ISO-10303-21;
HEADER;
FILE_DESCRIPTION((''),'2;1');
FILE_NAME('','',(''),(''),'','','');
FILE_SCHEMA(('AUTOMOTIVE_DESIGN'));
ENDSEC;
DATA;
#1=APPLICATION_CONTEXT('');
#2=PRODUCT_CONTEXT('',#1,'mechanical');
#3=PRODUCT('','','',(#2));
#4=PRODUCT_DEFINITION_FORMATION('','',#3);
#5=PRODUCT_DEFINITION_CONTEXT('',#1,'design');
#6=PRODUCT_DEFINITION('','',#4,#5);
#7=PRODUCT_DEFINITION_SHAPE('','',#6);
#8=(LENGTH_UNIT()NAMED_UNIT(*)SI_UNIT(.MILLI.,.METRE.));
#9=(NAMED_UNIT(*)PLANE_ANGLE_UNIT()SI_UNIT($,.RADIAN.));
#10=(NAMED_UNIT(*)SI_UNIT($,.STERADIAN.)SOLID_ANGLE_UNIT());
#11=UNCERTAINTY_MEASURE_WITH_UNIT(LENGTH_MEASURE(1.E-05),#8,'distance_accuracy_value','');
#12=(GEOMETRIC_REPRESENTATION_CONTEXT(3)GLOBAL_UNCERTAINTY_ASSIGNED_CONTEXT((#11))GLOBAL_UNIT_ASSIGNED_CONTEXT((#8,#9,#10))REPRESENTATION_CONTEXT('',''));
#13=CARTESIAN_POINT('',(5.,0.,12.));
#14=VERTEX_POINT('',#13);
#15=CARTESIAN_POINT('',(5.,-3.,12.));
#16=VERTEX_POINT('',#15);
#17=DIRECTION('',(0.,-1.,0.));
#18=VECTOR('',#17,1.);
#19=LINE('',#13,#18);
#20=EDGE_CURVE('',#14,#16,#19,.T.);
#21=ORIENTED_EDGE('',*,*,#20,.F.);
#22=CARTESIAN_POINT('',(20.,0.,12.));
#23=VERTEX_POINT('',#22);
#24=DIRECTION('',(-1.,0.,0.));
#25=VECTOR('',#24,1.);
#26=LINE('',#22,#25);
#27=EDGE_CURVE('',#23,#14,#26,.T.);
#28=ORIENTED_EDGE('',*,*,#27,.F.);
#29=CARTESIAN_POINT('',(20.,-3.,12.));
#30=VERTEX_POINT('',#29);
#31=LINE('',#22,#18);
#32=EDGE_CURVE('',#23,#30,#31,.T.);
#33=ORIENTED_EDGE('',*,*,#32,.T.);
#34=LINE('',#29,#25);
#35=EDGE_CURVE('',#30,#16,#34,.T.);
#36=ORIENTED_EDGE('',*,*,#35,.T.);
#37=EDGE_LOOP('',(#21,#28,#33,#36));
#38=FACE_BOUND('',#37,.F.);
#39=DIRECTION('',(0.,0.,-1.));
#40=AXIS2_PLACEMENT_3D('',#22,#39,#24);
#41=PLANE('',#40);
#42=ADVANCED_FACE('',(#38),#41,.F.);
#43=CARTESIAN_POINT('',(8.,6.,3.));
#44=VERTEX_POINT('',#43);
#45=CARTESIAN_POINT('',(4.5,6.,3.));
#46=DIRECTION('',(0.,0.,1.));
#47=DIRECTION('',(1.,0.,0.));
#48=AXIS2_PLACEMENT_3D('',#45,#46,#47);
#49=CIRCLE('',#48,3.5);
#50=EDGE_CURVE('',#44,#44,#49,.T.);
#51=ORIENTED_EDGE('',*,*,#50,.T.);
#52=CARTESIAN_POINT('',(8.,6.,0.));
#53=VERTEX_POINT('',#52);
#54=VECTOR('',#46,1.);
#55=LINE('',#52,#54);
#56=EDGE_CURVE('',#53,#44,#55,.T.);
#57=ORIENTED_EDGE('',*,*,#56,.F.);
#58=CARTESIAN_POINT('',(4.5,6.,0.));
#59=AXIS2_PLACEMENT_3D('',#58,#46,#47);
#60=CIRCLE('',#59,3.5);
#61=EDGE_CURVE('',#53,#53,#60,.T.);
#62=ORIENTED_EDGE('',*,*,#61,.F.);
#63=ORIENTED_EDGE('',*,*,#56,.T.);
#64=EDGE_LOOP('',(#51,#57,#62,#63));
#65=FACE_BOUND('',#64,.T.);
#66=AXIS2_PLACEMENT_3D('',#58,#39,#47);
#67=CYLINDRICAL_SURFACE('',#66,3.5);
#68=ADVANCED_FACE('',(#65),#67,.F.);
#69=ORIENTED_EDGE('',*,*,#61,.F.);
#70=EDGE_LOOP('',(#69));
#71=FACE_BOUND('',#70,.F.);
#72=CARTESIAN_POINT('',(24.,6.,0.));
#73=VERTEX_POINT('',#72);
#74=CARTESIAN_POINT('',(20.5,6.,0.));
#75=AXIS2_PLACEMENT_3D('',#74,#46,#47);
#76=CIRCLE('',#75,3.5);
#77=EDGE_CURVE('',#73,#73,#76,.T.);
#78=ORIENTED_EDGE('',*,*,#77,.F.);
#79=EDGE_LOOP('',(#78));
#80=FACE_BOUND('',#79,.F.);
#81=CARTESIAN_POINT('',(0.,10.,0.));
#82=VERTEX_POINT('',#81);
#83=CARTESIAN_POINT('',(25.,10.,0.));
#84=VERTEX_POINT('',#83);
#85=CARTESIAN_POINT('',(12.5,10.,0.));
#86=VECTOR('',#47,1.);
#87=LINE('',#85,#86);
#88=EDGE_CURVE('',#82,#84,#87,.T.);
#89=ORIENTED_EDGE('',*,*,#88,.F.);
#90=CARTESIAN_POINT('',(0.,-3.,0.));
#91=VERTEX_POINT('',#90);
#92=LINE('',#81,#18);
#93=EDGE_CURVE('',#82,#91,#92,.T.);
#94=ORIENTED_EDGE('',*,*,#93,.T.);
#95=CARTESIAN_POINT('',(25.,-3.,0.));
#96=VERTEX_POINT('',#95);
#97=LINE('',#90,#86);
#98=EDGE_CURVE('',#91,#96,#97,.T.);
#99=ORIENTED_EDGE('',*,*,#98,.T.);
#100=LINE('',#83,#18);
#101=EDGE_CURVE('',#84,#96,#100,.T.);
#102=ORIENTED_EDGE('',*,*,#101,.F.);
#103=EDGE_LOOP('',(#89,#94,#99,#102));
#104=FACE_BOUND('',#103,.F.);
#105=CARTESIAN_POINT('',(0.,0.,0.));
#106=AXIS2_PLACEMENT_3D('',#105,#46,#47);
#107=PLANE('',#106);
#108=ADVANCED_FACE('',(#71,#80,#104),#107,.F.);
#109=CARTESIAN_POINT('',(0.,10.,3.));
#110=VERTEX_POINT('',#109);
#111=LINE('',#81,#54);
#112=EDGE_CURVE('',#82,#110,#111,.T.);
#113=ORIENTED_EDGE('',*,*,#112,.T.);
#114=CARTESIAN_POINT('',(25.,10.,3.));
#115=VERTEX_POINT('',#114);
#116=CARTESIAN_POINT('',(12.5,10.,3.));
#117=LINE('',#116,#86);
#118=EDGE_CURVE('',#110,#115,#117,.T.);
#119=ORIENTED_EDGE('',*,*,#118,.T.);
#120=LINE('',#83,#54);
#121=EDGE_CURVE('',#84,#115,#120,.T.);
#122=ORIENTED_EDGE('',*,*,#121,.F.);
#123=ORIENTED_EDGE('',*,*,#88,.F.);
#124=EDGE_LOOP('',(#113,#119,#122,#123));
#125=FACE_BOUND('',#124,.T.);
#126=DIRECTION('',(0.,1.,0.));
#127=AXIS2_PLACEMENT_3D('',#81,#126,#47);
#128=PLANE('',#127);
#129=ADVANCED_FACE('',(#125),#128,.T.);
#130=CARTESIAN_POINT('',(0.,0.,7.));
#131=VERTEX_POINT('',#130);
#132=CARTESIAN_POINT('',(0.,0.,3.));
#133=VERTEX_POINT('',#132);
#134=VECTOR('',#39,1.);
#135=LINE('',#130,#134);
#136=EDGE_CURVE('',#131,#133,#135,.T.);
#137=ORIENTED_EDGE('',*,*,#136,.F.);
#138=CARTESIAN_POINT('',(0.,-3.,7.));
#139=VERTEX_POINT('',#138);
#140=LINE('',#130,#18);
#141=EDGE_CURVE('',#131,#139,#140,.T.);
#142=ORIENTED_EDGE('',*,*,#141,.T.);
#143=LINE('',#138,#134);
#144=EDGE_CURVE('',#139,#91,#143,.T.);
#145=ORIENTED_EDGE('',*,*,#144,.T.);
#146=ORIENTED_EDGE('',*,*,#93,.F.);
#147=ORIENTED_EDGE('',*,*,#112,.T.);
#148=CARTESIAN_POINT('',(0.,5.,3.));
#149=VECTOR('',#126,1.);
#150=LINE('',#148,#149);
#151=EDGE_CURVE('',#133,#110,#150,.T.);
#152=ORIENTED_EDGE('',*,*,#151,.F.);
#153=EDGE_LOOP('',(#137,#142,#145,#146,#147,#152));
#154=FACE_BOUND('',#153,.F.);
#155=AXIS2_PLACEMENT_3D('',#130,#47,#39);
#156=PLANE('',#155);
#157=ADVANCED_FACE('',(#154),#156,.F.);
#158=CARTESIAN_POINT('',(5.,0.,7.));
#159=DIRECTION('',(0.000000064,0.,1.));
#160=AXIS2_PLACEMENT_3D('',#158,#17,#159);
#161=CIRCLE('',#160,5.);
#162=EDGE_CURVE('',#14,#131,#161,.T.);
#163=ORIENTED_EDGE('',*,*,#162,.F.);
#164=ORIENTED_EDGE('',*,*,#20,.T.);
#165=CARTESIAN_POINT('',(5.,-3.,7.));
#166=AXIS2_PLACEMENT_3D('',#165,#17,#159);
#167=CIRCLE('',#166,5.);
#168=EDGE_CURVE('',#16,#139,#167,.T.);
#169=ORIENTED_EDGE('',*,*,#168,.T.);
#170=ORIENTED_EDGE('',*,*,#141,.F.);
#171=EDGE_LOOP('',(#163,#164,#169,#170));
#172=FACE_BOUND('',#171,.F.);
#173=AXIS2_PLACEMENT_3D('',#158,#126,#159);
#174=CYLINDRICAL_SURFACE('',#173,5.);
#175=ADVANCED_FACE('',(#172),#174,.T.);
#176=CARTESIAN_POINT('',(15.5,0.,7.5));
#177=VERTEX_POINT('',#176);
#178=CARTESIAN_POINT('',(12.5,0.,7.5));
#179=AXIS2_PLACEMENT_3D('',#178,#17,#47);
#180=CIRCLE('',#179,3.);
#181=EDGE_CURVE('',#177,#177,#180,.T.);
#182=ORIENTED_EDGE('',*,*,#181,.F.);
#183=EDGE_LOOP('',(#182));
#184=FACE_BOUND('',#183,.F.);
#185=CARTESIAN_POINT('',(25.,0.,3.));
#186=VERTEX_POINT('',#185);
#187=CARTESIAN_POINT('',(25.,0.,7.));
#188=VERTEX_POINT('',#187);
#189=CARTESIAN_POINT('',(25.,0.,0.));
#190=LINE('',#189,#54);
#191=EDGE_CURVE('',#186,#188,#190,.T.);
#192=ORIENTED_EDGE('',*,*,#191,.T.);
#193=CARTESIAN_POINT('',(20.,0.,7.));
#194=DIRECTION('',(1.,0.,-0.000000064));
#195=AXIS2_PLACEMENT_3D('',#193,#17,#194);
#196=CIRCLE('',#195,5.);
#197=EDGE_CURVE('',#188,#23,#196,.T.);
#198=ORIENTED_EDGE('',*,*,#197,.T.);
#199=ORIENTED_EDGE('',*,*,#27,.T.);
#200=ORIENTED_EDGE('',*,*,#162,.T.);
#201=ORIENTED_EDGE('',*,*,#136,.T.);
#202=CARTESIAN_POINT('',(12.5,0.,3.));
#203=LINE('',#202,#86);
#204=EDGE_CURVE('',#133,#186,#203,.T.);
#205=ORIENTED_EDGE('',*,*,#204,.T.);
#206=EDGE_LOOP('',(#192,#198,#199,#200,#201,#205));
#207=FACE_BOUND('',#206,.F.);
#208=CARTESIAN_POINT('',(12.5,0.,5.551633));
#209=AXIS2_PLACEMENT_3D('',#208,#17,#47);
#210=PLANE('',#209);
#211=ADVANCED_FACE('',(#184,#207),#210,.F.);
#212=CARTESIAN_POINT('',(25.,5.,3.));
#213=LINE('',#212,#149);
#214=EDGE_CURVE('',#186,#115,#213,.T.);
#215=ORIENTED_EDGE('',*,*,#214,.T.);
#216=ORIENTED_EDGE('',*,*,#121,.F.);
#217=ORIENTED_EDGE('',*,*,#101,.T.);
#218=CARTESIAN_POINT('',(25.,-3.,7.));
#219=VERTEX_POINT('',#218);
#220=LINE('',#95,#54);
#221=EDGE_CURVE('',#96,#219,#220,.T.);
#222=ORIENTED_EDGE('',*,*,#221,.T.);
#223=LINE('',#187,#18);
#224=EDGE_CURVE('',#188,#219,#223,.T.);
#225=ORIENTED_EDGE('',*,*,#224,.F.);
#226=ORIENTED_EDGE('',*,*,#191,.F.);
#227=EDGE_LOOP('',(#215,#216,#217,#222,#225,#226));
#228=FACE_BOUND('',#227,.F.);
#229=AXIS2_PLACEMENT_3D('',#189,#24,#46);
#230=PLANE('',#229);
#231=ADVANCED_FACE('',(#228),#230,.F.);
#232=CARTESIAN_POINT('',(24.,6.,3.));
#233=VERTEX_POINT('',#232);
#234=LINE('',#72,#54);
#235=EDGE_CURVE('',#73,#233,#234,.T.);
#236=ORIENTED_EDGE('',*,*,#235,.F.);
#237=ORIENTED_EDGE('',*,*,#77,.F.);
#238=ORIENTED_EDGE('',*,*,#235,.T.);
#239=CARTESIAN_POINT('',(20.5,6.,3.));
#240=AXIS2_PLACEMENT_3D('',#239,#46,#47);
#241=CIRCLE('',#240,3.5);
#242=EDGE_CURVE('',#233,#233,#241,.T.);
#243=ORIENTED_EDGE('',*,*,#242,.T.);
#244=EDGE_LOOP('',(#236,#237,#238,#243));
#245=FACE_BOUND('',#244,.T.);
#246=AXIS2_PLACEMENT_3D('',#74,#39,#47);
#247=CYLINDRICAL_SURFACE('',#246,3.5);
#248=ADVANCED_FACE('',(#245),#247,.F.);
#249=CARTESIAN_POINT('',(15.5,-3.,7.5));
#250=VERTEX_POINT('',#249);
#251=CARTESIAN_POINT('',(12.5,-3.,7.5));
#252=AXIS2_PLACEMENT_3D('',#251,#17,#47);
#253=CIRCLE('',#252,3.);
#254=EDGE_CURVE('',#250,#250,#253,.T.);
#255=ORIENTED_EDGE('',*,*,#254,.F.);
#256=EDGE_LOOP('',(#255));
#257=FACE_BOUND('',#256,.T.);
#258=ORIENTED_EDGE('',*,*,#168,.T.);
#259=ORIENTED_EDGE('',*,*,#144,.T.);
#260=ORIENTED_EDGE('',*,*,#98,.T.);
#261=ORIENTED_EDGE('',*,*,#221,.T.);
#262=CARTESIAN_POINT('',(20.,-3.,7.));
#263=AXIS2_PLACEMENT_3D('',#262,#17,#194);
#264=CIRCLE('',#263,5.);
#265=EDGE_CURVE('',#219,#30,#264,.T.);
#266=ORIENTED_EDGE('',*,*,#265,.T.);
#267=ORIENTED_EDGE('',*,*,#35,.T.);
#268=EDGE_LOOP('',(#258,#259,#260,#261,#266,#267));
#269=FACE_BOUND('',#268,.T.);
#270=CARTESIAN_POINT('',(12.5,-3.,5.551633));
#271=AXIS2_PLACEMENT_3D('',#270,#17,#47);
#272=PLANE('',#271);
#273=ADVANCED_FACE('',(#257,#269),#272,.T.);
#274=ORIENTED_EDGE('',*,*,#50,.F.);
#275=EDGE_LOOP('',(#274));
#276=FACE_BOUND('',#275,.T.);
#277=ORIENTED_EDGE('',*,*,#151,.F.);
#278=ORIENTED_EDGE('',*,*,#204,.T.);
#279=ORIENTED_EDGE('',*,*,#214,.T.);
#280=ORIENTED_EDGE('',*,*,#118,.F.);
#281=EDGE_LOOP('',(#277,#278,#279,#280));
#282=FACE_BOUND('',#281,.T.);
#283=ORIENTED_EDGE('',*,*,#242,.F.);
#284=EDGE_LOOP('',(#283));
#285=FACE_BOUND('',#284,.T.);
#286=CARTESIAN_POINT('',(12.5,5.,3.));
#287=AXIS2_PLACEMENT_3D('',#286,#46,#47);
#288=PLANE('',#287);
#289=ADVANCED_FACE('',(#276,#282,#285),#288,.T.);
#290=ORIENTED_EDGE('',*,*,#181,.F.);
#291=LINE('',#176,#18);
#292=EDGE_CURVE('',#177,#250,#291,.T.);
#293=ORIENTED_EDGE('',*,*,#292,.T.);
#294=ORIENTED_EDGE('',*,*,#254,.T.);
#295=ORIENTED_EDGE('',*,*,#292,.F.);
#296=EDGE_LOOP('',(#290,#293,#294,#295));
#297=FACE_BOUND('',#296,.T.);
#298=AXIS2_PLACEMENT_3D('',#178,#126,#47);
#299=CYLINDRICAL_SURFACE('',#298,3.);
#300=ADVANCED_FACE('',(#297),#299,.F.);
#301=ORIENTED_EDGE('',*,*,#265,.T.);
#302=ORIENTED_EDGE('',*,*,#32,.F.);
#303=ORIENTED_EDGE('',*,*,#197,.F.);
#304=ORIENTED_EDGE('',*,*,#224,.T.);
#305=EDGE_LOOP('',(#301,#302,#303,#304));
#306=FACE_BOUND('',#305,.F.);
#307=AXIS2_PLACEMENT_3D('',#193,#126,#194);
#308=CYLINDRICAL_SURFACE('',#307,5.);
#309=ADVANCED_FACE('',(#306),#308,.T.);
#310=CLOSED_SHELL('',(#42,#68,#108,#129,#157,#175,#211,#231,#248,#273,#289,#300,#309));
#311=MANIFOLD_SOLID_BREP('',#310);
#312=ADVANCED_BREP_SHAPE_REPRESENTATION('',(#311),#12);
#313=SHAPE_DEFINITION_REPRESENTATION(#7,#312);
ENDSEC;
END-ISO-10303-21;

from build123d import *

# Parameters (mm, degrees)
F0_W     = 25
F0_H     = 10
F0_R     = 3.5
F1_DEPTH = 3
F2_R     = 3
F3_DEPTH = 3


with BuildPart() as f1:
    # F0 (on Top) → F1 (new body)
    with BuildSketch(Plane.XY):
        with Locations((12.5, 5)):
            Rectangle(F0_W, F0_H)
        with Locations((4.5, 6)):
            Circle(F0_R, mode=Mode.SUBTRACT)
        with Locations((20.5, 6)):
            Circle(F0_R, mode=Mode.SUBTRACT)
    extrude(amount=F1_DEPTH)

    # F2 (on face) → F3 (join)
    with BuildSketch(Plane.XZ):
        with BuildLine():
            Line((0, 7), (0, 0))
            Line((0, 0), (25, 0))
            Line((25, 0), (25, 7))
            ThreePointArc((25, 7), (23.535534, 10.535534), (20, 12))
            Line((20, 12), (5, 12))
            ThreePointArc((5, 12), (1.464466, 10.535534), (0, 7))
        make_face()
        with Locations((12.5, 7.5)):
            Circle(F2_R, mode=Mode.SUBTRACT)
    extrude(amount=F3_DEPTH)


solid = f1.part
